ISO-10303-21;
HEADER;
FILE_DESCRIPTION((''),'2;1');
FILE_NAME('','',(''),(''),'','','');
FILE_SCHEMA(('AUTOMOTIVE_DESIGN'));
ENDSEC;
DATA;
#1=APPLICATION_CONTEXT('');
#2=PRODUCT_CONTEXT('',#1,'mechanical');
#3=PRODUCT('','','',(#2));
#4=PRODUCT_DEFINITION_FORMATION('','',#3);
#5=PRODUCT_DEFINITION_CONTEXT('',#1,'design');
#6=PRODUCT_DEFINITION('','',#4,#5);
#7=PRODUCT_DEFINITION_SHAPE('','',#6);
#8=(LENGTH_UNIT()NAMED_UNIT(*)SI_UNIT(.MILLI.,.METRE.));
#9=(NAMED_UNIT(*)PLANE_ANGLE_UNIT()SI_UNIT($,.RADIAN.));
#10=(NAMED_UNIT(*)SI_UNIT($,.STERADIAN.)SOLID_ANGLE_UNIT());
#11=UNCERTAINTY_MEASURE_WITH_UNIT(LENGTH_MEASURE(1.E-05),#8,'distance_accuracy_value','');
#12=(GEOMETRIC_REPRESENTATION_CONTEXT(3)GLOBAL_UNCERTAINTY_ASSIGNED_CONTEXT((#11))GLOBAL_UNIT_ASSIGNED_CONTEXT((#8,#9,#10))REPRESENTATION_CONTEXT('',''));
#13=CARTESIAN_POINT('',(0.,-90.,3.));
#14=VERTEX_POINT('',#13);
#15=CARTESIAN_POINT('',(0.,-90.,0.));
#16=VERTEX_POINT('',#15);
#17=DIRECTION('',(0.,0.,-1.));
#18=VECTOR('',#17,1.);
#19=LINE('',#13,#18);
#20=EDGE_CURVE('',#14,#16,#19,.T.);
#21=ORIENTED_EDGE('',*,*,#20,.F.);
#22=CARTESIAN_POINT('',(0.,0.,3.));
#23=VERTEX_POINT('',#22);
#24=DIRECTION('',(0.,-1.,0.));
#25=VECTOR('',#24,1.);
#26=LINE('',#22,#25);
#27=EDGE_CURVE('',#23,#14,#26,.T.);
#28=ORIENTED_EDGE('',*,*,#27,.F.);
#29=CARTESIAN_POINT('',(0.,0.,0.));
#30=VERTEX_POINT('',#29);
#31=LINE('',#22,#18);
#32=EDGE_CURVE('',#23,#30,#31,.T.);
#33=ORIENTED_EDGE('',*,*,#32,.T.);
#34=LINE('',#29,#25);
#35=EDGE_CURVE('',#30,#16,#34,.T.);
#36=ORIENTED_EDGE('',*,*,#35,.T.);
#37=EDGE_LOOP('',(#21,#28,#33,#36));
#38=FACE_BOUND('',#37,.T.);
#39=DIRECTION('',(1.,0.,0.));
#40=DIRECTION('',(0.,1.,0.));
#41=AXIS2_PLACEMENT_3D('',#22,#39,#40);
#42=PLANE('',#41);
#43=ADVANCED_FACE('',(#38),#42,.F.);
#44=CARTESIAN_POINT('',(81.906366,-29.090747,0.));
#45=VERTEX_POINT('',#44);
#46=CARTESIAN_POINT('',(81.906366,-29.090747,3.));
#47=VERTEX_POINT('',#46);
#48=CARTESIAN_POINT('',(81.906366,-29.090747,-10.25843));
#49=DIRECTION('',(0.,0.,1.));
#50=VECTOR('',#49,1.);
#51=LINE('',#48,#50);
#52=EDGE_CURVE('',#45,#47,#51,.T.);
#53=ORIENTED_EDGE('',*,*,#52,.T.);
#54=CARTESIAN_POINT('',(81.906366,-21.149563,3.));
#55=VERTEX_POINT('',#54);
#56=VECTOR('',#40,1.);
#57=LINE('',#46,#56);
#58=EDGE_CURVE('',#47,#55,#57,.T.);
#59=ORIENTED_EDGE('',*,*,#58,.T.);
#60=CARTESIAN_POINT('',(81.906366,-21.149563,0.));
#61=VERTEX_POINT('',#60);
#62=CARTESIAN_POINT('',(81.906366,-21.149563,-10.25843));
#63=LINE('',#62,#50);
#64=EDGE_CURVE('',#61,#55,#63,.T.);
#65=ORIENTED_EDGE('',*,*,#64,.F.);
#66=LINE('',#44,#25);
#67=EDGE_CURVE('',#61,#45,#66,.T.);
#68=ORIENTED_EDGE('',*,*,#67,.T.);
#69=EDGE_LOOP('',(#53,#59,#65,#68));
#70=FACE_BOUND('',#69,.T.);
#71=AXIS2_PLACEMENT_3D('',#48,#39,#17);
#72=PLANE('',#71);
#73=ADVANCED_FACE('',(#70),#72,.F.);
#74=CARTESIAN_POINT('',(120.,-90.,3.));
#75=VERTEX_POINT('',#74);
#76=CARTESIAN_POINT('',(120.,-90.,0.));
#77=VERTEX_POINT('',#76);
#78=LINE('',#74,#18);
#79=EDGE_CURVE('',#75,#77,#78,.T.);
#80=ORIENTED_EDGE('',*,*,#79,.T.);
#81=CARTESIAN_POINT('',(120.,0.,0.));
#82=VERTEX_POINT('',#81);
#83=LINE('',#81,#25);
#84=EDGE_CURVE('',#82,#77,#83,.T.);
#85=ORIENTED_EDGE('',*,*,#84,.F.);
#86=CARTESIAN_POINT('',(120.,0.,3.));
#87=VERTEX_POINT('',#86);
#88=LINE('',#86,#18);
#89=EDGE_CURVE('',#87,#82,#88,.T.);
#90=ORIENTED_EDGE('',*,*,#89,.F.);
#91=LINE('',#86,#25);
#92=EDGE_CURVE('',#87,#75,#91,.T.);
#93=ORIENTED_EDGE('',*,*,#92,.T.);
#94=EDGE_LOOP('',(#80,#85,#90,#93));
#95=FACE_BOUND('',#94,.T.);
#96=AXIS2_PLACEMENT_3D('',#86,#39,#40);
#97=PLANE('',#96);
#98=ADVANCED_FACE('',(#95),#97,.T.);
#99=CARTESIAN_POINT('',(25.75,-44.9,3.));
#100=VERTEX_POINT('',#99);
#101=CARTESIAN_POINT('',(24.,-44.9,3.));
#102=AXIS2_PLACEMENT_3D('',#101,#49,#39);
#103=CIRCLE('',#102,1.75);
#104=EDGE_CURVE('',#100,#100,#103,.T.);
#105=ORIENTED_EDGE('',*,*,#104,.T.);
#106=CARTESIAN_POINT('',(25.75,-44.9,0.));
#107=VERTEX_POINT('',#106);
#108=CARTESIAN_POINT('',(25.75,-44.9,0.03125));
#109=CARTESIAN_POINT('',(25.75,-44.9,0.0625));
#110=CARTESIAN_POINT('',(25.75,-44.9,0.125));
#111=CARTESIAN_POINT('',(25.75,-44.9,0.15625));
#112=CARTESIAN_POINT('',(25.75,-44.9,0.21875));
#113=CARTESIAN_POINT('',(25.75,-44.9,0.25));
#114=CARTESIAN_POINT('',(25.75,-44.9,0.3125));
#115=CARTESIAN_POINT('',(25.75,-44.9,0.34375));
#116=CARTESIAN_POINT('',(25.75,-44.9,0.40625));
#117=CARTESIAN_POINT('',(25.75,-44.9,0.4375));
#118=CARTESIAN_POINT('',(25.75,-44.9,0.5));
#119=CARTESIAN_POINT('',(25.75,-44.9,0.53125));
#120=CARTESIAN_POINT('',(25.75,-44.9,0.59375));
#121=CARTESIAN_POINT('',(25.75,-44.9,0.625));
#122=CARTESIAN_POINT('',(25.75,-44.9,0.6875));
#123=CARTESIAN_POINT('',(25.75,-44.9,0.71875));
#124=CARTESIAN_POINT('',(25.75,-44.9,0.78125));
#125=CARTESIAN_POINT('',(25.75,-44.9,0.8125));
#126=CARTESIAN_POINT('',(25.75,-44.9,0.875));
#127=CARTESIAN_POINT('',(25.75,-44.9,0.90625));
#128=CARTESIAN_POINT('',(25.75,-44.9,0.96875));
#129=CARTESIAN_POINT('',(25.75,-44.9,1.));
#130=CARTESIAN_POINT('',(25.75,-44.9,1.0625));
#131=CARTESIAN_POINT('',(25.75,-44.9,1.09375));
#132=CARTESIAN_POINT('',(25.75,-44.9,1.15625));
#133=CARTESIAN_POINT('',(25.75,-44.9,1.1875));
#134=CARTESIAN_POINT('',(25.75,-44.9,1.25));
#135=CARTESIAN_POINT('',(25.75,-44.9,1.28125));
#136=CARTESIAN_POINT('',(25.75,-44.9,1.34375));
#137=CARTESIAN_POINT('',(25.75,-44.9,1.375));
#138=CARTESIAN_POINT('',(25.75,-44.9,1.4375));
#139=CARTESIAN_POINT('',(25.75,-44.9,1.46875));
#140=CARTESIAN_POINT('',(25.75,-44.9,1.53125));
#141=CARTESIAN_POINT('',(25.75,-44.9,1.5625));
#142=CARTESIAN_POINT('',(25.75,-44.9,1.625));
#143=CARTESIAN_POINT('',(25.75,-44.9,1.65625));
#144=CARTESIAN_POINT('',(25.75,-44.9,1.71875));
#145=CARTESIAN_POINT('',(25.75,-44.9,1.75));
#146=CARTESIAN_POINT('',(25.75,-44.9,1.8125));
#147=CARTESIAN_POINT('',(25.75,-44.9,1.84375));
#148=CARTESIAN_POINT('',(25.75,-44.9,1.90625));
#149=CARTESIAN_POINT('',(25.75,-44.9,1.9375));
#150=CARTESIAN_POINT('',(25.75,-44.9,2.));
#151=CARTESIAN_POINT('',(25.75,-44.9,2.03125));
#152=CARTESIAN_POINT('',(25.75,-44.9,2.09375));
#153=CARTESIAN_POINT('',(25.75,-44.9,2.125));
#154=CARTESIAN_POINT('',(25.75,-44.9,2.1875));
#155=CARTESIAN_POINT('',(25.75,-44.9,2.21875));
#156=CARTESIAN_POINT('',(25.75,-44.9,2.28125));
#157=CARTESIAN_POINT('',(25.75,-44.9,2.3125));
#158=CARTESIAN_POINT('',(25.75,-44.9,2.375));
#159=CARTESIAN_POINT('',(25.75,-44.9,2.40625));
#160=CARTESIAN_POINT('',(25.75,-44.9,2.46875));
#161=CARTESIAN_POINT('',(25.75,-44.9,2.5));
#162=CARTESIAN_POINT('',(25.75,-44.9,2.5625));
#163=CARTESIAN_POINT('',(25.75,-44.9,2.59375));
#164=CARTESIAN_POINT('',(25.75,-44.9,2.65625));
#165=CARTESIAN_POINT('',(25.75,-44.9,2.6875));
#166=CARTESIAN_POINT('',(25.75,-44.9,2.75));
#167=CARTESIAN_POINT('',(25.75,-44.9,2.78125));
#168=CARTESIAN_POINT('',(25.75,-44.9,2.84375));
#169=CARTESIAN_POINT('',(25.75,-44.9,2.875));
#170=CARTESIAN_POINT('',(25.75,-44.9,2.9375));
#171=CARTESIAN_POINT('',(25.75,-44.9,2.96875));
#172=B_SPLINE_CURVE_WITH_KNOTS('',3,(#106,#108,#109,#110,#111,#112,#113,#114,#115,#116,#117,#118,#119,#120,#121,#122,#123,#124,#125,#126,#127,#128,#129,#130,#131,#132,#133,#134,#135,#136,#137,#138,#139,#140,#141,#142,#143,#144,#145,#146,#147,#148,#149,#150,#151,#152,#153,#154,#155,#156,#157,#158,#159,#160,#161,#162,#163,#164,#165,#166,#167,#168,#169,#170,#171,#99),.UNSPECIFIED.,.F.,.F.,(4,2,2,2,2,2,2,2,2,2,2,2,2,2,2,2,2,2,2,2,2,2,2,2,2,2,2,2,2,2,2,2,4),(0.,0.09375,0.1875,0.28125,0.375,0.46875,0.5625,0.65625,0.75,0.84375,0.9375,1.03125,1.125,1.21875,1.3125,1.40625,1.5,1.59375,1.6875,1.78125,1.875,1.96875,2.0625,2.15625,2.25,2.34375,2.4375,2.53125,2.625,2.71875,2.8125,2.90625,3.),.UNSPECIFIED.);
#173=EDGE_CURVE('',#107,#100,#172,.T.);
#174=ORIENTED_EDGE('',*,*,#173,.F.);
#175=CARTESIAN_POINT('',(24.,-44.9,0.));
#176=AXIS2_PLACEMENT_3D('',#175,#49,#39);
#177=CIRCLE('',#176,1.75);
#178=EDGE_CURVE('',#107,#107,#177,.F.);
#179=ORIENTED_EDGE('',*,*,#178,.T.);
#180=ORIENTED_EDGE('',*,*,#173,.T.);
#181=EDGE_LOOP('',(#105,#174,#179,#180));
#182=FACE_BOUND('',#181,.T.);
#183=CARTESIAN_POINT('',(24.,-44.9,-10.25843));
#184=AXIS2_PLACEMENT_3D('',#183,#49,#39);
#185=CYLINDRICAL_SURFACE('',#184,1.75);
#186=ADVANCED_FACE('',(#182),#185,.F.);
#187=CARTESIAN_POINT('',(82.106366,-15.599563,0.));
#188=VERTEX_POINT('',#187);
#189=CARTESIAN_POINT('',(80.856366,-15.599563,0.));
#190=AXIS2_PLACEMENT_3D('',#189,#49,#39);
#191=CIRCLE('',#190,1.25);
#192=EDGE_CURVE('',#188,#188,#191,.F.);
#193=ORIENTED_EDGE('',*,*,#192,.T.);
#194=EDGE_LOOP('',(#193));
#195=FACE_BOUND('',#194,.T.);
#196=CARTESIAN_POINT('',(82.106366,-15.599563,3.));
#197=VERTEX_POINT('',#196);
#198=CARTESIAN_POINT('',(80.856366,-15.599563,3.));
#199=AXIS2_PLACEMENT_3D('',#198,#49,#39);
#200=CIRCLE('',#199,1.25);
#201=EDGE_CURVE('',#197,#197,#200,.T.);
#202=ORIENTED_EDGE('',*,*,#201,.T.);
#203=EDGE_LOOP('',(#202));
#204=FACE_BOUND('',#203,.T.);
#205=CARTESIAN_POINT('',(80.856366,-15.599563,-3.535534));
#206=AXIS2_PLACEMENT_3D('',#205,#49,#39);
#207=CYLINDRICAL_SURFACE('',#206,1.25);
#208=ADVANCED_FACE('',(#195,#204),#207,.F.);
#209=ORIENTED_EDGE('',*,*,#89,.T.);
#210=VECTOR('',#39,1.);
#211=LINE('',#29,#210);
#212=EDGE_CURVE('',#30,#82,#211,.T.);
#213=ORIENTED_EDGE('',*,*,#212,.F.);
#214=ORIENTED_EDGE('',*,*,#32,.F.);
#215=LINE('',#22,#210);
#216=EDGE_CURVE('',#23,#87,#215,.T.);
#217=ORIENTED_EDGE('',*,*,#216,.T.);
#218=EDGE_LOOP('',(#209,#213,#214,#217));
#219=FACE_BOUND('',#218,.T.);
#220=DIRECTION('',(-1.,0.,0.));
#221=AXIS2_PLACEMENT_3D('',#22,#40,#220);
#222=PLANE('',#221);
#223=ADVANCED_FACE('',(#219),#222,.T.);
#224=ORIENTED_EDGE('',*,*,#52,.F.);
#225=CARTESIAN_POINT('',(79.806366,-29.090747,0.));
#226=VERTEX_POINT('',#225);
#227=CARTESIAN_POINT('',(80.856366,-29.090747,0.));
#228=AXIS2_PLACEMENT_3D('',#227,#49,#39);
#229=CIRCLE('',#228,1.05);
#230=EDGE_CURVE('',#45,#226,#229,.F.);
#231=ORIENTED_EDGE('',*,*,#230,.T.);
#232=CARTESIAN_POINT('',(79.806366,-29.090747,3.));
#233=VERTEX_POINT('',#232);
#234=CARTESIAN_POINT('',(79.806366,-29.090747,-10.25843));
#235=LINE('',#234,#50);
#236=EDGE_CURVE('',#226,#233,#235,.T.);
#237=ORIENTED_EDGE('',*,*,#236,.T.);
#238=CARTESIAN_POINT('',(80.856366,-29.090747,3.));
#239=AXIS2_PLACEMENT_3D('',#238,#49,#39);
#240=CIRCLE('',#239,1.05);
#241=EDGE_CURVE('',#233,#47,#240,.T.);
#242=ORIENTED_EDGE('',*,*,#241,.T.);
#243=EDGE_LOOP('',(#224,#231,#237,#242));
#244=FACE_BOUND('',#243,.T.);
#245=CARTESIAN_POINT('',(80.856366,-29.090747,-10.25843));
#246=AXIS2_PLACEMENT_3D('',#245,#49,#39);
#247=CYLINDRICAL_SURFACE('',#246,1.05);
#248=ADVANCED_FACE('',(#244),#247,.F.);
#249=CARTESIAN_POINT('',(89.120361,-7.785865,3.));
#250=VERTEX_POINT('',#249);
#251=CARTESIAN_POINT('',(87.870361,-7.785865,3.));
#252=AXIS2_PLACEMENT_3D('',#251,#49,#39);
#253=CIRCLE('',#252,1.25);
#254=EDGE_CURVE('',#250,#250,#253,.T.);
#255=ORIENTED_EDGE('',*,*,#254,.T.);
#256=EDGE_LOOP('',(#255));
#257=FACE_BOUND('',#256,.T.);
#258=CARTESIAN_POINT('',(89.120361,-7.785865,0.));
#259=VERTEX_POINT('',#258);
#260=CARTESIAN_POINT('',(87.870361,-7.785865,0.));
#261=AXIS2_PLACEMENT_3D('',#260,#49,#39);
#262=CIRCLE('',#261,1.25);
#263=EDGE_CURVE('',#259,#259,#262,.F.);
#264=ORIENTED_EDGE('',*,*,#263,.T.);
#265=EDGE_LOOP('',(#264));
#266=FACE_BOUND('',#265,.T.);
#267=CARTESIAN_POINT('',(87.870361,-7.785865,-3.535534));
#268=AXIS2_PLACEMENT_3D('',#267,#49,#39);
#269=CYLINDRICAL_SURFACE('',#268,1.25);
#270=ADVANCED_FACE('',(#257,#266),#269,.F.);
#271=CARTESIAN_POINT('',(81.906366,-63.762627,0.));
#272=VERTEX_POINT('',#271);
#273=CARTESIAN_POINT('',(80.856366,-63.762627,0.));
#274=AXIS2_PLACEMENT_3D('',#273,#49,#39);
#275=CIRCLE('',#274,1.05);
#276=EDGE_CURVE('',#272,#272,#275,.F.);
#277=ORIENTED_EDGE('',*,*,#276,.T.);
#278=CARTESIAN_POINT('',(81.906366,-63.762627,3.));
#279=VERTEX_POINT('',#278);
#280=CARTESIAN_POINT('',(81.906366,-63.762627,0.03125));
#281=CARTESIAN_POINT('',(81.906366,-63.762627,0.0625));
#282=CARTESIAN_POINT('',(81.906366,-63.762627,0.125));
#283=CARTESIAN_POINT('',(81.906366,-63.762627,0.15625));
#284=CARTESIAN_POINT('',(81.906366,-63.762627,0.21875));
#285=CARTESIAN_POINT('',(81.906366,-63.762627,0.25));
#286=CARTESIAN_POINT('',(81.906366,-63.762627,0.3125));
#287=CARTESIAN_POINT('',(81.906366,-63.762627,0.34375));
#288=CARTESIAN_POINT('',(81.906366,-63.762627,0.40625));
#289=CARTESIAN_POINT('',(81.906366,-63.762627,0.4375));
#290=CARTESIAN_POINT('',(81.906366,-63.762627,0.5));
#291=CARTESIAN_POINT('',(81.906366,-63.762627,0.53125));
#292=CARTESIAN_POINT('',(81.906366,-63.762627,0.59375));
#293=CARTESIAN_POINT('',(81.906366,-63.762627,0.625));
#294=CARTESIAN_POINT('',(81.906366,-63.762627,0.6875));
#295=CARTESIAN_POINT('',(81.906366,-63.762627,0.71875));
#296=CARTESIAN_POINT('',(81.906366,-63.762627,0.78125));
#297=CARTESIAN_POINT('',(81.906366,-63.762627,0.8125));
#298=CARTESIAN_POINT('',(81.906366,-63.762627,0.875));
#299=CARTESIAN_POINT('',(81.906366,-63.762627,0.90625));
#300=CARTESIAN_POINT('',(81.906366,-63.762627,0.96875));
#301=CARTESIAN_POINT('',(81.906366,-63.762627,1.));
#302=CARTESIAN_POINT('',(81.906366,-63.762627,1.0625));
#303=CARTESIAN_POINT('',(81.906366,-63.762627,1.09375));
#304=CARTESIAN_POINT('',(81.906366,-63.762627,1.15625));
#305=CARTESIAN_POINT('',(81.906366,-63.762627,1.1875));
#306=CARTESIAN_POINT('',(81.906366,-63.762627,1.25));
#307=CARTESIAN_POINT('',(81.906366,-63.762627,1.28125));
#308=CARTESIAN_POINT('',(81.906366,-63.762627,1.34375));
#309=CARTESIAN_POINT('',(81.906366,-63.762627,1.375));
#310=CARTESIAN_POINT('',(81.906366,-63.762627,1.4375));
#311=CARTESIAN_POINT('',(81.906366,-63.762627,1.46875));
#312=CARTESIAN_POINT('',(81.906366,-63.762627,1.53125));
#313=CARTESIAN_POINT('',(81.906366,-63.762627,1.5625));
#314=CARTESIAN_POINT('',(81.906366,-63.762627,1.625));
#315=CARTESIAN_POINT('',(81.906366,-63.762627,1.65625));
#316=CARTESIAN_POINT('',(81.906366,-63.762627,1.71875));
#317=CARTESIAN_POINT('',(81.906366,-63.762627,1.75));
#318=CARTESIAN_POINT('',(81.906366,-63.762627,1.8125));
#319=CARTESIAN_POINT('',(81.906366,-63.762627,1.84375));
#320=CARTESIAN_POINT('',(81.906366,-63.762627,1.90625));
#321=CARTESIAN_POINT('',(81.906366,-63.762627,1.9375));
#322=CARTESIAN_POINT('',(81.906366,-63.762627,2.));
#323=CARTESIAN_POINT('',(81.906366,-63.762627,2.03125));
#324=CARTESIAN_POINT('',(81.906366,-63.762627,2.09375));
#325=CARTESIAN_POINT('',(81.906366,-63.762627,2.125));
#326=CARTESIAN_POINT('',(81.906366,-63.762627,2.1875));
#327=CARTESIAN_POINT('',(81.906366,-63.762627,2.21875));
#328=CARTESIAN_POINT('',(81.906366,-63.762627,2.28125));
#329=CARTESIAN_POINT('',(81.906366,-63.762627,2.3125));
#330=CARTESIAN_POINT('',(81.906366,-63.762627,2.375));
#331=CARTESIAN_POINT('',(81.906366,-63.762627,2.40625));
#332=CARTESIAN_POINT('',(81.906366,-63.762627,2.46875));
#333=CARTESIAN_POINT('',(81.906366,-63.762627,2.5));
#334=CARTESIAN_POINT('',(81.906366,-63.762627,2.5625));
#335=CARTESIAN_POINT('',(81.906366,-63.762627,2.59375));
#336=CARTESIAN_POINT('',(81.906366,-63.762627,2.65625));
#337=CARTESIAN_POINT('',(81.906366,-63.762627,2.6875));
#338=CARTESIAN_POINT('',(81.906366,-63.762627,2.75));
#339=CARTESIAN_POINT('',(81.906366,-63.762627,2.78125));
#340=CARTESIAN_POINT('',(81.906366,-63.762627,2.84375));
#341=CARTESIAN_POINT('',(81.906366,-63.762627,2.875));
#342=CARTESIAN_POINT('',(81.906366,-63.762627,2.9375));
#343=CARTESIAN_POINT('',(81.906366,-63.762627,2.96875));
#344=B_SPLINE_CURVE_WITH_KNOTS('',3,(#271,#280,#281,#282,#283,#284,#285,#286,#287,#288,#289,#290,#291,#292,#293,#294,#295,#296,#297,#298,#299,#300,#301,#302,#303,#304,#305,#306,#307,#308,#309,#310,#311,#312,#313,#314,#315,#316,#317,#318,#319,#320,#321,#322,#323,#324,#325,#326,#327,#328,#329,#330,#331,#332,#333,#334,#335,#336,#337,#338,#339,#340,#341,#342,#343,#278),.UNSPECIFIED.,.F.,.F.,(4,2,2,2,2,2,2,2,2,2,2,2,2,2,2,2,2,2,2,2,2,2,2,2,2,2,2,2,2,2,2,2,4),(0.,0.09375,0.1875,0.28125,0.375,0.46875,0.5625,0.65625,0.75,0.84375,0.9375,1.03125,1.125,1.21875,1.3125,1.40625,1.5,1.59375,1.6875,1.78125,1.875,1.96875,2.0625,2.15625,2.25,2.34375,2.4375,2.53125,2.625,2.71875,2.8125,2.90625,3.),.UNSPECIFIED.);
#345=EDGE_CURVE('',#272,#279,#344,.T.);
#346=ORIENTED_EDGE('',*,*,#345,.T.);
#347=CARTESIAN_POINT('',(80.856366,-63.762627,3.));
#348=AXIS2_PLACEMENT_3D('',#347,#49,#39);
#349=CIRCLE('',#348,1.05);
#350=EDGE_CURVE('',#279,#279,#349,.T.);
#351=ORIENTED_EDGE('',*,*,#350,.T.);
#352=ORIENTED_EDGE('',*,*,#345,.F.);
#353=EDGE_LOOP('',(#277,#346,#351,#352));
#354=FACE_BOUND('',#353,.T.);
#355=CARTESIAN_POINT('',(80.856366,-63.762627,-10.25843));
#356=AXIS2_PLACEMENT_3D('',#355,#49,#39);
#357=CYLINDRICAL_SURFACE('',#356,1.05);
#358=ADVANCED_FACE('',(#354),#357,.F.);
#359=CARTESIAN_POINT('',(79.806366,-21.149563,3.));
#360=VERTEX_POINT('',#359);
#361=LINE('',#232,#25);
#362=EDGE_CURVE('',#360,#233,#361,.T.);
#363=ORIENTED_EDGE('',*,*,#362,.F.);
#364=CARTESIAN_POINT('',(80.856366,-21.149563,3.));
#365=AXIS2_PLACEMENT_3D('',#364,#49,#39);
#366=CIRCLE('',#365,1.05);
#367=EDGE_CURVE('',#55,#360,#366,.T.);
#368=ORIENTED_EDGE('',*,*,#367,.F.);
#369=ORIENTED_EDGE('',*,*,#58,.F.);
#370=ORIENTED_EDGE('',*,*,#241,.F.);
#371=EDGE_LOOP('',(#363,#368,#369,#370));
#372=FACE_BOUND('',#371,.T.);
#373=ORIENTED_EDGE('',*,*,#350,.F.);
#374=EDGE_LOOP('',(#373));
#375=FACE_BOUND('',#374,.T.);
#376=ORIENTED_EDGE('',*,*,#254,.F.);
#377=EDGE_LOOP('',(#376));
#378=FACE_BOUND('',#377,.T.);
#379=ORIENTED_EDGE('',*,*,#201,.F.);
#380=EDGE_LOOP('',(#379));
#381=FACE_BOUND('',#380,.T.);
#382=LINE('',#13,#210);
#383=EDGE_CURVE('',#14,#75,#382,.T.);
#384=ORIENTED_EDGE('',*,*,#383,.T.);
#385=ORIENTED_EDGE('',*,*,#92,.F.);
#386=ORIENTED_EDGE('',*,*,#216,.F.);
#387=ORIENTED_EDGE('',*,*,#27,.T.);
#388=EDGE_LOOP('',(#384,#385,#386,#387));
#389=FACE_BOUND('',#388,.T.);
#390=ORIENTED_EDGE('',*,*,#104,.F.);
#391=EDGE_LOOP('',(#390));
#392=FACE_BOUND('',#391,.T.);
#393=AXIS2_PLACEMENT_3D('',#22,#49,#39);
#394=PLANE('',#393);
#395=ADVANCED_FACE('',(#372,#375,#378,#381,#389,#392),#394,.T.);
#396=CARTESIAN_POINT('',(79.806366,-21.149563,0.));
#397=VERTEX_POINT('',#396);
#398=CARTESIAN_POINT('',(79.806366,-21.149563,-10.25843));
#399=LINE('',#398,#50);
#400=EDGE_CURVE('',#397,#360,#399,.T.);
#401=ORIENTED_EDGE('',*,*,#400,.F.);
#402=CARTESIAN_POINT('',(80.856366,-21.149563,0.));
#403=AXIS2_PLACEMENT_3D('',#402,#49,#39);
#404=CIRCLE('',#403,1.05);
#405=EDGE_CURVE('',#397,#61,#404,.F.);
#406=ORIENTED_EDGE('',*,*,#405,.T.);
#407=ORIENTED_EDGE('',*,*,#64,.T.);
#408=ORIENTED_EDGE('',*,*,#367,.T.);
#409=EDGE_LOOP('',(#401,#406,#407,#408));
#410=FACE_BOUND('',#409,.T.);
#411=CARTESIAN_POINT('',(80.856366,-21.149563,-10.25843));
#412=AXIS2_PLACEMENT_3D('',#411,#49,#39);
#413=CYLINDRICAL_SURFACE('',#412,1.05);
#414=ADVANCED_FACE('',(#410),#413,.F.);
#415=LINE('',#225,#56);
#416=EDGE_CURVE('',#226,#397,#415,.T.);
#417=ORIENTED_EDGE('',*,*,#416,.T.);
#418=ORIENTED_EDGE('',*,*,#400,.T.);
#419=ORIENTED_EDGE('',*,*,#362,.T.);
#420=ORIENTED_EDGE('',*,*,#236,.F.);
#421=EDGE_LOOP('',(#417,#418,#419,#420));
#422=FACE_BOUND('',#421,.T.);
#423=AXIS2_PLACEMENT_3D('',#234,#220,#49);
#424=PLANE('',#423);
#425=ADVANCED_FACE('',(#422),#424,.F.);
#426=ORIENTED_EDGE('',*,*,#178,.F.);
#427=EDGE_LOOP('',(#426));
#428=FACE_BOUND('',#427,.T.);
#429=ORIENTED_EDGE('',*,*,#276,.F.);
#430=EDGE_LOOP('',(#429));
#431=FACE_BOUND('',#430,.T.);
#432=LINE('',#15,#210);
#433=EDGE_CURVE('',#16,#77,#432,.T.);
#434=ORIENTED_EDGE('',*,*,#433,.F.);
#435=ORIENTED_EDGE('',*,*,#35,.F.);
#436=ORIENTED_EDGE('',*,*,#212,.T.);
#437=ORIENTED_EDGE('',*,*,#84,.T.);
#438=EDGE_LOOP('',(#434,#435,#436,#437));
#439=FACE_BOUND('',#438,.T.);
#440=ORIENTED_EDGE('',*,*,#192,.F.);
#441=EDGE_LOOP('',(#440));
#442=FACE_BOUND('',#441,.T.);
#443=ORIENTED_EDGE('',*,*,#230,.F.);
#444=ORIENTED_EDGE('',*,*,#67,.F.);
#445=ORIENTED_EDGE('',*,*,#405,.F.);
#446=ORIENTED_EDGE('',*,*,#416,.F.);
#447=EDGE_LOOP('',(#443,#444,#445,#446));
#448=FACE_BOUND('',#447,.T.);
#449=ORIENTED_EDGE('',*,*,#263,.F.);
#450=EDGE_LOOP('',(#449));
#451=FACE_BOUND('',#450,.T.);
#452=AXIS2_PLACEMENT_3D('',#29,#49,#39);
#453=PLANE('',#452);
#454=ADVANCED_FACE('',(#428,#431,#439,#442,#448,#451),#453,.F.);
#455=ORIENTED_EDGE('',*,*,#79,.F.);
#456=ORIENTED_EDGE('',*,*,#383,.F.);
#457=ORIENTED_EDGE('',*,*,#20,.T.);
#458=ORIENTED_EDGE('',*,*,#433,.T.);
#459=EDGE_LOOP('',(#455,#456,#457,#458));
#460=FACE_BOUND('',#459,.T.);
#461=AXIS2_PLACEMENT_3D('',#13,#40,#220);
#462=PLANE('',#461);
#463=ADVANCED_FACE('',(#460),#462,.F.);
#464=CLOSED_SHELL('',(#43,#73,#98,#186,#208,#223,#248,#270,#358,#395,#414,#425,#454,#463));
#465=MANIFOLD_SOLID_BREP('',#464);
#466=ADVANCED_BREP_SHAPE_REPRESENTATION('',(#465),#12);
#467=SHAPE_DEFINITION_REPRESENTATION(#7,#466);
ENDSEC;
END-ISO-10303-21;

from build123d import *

# Parameters (mm, degrees)
SKETCH1_W           = 120
SKETCH1_H           = 90
BOSS_EXTRUDE1_DEPTH = 3
SKETCH3_R           = 1.75
SKETCH3_R_2         = 1.05
CUT_EXTRUDE1_DEPTH  = 3
SKETCH7_R           = 1.25
CUT_EXTRUDE3_DEPTH  = 3


with BuildPart() as part:
    # Sketch1 → Boss-Extrude1 (new body)
    with BuildSketch(Plane.XY):
        with Locations((60, -45)):
            Rectangle(SKETCH1_W, SKETCH1_H)
    extrude(amount=BOSS_EXTRUDE1_DEPTH)

    # Sketch3 → Cut-Extrude1 (cut)
    with BuildSketch(Plane.XY.offset(3)):
        with Locations((24, -44.9)):
            Circle(SKETCH3_R)
        with Locations((80.856366148, -63.762627499)):
            Circle(SKETCH3_R_2)
        with BuildLine():
            Line((79.806366148, -29.090746885), (79.806366148, -21.14956271))
            ThreePointArc((79.806366148, -21.14956271), (80.856366148, -20.09956271), (81.906366148, -21.14956271))
            Line((81.906366148, -21.14956271), (81.906366148, -29.090746885))
            ThreePointArc((81.906366148, -29.090746885), (80.856366148, -30.140746885), (79.806366148, -29.090746885))
        make_face()
    extrude(amount=-CUT_EXTRUDE1_DEPTH, mode=Mode.SUBTRACT)

    # Sketch7 → Cut-Extrude3 (cut)
    with BuildSketch(Plane.XY.offset(3)):
        with Locations((80.856366148, -15.59956271)):
            Circle(SKETCH7_R)
        with Locations((87.870361331, -7.785865021)):
            Circle(SKETCH7_R)
    extrude(amount=-CUT_EXTRUDE3_DEPTH, mode=Mode.SUBTRACT)


solid = part.part
